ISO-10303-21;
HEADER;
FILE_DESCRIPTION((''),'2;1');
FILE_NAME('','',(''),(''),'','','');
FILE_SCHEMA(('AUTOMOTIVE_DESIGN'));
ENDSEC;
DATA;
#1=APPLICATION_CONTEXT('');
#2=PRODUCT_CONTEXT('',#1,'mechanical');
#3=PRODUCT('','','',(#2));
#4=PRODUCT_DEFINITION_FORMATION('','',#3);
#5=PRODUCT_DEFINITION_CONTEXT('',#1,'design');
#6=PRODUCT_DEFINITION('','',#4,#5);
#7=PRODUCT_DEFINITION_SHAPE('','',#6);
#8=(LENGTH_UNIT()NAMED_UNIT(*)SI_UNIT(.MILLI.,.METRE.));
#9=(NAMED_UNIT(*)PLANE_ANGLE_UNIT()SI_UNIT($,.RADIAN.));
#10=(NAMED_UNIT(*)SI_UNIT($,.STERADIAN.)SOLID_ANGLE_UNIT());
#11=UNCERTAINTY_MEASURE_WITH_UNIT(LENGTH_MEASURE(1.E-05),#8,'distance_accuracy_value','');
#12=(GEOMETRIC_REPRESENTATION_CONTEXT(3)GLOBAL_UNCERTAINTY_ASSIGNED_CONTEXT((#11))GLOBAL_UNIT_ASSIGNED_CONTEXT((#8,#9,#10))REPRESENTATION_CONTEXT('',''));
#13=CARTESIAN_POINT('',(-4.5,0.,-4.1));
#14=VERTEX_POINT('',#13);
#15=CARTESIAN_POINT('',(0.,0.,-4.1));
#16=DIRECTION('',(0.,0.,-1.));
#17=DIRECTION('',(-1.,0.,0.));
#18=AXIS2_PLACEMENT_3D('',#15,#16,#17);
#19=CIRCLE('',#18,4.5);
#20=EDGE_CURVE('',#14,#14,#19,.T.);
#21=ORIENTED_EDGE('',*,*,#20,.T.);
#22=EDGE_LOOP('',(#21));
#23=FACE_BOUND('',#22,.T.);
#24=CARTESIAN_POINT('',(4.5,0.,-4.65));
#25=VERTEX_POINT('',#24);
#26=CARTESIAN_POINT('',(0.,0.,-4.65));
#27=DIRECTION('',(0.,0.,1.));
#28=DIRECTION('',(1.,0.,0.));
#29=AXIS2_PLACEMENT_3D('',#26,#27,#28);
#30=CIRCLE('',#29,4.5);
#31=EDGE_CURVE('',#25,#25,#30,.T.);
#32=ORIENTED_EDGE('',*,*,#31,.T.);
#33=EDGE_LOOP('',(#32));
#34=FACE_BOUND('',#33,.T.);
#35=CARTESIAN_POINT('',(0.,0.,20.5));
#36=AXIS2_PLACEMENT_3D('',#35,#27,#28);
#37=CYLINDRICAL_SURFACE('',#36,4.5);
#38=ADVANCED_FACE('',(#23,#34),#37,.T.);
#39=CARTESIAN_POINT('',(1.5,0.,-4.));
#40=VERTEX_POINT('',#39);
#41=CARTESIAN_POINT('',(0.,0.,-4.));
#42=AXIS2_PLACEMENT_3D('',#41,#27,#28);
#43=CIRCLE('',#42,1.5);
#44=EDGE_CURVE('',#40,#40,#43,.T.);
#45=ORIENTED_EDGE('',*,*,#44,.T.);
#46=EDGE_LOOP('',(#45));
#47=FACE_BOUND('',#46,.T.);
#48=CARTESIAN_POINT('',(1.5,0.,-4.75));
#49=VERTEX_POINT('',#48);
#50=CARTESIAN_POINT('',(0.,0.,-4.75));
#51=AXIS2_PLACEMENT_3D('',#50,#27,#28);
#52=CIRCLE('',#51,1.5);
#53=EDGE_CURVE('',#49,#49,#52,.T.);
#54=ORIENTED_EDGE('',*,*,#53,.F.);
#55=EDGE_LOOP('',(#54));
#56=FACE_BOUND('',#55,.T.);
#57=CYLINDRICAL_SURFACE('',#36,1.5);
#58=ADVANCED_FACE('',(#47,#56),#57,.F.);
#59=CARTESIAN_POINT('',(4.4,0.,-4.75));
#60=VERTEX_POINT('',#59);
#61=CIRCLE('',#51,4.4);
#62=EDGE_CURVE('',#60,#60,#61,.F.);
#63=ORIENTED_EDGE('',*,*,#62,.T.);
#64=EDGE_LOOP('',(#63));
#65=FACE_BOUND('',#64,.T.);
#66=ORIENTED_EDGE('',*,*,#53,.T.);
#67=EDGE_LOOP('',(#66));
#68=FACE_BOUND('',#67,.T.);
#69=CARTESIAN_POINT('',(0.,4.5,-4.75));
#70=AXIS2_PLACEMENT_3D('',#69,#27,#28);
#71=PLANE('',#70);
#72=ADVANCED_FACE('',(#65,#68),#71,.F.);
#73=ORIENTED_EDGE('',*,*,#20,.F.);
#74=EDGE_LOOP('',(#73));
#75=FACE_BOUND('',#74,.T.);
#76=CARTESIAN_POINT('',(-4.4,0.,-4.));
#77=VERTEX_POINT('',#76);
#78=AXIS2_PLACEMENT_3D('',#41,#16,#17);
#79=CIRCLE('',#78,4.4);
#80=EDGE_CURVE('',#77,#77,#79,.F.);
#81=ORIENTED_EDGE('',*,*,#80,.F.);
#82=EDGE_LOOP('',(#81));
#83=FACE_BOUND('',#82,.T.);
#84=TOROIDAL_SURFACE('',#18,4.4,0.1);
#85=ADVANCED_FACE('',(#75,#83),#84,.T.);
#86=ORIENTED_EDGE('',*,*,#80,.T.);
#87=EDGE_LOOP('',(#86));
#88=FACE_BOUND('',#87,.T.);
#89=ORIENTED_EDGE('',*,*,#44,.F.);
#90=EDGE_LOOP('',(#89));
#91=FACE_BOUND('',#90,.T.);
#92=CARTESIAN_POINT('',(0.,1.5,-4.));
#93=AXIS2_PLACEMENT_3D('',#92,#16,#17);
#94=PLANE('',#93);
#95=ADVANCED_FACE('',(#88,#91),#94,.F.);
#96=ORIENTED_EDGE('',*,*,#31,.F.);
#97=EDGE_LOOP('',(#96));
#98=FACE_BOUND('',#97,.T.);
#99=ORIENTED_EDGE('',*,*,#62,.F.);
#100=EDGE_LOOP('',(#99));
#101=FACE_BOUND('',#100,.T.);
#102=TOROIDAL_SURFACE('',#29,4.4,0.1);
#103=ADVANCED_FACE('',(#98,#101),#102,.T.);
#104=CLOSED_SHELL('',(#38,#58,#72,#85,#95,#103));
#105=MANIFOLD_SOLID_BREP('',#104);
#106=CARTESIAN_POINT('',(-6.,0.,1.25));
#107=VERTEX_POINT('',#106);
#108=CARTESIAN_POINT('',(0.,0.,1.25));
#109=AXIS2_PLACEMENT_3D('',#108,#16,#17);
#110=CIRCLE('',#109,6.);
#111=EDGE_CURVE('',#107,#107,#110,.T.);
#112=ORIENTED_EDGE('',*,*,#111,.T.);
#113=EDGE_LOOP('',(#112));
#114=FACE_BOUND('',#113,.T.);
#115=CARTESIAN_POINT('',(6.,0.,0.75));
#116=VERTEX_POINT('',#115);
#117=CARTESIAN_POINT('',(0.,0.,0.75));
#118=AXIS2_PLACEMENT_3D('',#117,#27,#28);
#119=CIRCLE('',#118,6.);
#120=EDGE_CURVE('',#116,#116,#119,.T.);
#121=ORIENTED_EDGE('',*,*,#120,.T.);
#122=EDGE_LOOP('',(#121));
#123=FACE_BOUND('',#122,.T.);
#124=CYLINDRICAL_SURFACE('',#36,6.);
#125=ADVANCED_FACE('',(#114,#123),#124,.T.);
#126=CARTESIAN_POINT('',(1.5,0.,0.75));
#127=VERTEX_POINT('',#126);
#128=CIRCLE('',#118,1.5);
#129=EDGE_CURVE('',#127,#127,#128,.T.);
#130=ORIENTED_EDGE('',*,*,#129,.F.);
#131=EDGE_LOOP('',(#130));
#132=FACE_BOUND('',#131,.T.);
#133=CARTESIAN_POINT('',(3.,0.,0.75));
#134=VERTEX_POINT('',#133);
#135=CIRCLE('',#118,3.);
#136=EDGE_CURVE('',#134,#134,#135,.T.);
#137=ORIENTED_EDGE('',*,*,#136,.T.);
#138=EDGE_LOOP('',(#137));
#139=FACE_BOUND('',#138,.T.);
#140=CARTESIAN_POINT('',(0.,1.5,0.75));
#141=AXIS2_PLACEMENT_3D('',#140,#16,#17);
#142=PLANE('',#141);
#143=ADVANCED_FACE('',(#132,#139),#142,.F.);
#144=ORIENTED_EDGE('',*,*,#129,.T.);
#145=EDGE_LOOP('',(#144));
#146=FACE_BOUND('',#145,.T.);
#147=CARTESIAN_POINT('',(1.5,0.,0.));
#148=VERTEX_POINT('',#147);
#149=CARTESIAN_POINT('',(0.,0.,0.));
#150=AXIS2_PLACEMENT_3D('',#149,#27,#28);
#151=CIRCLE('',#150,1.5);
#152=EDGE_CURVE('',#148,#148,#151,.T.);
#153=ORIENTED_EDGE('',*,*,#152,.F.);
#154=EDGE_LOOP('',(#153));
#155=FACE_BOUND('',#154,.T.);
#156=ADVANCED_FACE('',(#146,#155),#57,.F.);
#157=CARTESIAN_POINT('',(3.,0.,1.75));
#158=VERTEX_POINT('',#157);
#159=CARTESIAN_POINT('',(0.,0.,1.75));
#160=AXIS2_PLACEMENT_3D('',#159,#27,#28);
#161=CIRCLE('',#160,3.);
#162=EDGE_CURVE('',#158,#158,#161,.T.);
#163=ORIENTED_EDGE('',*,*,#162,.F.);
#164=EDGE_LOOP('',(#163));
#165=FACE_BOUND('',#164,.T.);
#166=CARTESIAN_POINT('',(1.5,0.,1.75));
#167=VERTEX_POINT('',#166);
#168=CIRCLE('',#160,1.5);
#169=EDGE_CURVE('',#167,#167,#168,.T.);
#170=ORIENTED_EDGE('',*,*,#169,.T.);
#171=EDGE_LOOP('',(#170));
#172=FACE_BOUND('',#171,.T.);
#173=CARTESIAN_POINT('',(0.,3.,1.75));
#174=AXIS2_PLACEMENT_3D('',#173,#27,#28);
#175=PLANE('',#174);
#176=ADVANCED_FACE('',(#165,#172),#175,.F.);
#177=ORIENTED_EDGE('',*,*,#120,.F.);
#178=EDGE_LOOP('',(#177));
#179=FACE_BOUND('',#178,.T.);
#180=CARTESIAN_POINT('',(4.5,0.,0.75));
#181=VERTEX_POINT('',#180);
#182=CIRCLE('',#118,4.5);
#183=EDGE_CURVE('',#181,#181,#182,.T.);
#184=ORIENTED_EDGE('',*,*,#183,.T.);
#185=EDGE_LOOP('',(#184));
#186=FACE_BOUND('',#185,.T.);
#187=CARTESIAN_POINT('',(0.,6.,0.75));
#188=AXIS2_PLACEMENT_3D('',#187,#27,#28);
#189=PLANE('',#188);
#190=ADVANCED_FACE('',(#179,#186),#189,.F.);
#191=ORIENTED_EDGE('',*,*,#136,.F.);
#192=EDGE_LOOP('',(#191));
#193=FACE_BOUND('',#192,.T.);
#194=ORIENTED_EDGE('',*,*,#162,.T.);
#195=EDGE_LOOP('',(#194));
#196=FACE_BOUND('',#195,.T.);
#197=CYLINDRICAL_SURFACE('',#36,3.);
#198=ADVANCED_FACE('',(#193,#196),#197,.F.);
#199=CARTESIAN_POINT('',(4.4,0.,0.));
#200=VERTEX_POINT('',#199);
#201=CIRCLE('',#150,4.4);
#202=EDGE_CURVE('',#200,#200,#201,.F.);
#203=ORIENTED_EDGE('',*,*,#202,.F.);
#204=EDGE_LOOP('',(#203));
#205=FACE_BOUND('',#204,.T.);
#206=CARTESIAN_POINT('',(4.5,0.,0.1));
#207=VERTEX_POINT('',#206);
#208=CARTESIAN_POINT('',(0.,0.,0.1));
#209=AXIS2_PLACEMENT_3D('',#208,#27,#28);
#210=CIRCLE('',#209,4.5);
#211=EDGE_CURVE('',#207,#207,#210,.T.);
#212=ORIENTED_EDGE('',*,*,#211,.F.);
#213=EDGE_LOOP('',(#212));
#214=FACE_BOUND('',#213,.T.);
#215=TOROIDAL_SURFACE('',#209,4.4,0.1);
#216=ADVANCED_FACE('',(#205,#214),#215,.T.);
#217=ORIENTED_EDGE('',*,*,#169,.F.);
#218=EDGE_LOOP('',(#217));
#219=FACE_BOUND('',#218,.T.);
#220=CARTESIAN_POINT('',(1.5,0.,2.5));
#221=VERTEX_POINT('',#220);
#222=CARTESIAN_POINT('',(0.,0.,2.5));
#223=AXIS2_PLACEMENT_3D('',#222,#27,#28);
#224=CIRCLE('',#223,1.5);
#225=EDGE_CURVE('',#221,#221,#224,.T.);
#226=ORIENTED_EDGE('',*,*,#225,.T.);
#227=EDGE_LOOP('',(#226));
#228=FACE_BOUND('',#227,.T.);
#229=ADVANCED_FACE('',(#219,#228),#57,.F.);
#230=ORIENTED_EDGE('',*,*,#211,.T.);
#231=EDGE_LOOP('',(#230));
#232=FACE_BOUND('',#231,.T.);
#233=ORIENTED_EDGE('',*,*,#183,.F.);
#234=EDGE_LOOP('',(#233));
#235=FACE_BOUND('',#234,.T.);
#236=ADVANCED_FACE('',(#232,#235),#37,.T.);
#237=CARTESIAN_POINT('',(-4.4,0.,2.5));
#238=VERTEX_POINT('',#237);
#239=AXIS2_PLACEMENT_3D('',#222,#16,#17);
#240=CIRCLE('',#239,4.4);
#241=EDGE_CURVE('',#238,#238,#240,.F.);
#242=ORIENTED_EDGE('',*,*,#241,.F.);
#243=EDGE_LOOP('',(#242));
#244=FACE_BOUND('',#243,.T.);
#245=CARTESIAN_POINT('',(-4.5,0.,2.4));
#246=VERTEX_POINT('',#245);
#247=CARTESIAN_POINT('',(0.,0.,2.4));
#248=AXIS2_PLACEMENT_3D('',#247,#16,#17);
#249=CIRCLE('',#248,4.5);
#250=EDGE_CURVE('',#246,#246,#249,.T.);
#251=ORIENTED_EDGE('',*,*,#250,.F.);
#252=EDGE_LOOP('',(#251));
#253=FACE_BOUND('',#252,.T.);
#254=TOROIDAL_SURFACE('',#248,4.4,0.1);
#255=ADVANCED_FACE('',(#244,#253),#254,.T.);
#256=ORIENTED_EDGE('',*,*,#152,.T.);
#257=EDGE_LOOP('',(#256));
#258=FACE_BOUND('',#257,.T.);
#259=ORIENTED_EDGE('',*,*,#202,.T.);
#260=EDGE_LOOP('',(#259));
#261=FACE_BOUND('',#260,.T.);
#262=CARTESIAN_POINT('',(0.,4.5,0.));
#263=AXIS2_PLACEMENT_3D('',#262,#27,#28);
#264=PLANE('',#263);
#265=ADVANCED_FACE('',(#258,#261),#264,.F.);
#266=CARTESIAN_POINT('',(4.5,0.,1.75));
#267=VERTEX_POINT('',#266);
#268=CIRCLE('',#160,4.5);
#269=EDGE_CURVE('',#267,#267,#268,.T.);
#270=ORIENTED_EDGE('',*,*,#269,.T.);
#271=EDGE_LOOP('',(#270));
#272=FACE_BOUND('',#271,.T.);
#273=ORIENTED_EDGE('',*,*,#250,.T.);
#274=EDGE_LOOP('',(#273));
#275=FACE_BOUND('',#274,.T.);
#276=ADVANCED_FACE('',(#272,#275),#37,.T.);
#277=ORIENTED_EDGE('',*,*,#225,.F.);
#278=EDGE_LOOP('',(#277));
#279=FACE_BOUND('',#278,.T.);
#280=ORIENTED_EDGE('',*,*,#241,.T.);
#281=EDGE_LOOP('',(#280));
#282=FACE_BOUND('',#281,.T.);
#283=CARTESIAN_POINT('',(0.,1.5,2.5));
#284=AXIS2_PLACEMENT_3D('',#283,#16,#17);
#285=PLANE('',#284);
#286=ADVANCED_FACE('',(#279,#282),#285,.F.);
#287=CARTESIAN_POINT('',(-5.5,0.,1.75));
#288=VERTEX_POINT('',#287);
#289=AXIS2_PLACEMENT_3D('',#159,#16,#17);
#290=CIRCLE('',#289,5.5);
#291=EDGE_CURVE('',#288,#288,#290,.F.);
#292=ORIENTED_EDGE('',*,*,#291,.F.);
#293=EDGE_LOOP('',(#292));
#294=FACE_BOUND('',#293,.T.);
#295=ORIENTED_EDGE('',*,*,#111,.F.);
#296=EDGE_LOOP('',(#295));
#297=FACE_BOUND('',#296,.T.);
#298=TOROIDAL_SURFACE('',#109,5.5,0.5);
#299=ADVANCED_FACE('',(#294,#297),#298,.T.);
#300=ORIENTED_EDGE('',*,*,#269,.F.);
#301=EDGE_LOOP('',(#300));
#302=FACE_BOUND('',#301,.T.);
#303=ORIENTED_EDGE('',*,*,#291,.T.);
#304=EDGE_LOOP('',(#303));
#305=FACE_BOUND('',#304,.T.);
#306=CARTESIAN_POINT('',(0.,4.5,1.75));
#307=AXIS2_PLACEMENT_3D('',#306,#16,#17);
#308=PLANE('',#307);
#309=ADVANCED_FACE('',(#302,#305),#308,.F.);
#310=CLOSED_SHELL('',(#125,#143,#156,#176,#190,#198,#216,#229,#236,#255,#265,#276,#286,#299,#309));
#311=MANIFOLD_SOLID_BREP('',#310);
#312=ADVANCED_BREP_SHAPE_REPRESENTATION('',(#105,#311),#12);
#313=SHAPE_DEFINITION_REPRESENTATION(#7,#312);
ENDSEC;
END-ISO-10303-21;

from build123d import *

# Parameters (mm, degrees)
ESQUISSE1_W = 0.75
ESQUISSE1_H = 3
CONG_1_R    = 0.5
CONG_2_R    = 0.1
CONG_3_R    = 0.1


with BuildPart() as part:
    # Esquisse1 → Révolution1 (revolve)
    with BuildSketch(Plane(origin=(0, 0, 0), x_dir=(0, 0, -1), z_dir=(1, 0, 0)), mode=Mode.PRIVATE) as r_volution1_sk:
        Polygon((0, 1.5), (-0.75, 1.5), (-0.75, 3), (-1.75, 3), (-1.75, 1.5), (-2.5, 1.5), (-2.5, 4.5), (-1.75, 4.5), (-1.75, 6), (-0.75, 6), (-0.75, 4.5), (0, 4.5), align=None)
        with Locations((4.375, 3)):
            Rectangle(ESQUISSE1_W, ESQUISSE1_H)
    revolve(r_volution1_sk.sketch.rotate(Axis((0, 0, 20.5), (0, 0, -1)), 90), axis=Axis((0, 0, 20.5), (0, 0, -1)))

    # Congé1
    cong_1_edges = [part.edges().sort_by_distance(p)[0] for p in [
        (-6, 0, 1.75),
    ]]
    fillet(cong_1_edges, radius=CONG_1_R)

    # Congé2
    cong_2_edges = [part.edges().sort_by_distance(p)[0] for p in [
        (-4.5, 0, 2.5),
        (-4.5, 0, 0),
    ]]
    fillet(cong_2_edges, radius=CONG_2_R)

    # Congé3
    cong_3_edges = [part.edges().sort_by_distance(p)[0] for p in [
        (-4.5, 0, -4.75),
        (-4.5, 0, -4),
    ]]
    fillet(cong_3_edges, radius=CONG_3_R)


solid = part.part
